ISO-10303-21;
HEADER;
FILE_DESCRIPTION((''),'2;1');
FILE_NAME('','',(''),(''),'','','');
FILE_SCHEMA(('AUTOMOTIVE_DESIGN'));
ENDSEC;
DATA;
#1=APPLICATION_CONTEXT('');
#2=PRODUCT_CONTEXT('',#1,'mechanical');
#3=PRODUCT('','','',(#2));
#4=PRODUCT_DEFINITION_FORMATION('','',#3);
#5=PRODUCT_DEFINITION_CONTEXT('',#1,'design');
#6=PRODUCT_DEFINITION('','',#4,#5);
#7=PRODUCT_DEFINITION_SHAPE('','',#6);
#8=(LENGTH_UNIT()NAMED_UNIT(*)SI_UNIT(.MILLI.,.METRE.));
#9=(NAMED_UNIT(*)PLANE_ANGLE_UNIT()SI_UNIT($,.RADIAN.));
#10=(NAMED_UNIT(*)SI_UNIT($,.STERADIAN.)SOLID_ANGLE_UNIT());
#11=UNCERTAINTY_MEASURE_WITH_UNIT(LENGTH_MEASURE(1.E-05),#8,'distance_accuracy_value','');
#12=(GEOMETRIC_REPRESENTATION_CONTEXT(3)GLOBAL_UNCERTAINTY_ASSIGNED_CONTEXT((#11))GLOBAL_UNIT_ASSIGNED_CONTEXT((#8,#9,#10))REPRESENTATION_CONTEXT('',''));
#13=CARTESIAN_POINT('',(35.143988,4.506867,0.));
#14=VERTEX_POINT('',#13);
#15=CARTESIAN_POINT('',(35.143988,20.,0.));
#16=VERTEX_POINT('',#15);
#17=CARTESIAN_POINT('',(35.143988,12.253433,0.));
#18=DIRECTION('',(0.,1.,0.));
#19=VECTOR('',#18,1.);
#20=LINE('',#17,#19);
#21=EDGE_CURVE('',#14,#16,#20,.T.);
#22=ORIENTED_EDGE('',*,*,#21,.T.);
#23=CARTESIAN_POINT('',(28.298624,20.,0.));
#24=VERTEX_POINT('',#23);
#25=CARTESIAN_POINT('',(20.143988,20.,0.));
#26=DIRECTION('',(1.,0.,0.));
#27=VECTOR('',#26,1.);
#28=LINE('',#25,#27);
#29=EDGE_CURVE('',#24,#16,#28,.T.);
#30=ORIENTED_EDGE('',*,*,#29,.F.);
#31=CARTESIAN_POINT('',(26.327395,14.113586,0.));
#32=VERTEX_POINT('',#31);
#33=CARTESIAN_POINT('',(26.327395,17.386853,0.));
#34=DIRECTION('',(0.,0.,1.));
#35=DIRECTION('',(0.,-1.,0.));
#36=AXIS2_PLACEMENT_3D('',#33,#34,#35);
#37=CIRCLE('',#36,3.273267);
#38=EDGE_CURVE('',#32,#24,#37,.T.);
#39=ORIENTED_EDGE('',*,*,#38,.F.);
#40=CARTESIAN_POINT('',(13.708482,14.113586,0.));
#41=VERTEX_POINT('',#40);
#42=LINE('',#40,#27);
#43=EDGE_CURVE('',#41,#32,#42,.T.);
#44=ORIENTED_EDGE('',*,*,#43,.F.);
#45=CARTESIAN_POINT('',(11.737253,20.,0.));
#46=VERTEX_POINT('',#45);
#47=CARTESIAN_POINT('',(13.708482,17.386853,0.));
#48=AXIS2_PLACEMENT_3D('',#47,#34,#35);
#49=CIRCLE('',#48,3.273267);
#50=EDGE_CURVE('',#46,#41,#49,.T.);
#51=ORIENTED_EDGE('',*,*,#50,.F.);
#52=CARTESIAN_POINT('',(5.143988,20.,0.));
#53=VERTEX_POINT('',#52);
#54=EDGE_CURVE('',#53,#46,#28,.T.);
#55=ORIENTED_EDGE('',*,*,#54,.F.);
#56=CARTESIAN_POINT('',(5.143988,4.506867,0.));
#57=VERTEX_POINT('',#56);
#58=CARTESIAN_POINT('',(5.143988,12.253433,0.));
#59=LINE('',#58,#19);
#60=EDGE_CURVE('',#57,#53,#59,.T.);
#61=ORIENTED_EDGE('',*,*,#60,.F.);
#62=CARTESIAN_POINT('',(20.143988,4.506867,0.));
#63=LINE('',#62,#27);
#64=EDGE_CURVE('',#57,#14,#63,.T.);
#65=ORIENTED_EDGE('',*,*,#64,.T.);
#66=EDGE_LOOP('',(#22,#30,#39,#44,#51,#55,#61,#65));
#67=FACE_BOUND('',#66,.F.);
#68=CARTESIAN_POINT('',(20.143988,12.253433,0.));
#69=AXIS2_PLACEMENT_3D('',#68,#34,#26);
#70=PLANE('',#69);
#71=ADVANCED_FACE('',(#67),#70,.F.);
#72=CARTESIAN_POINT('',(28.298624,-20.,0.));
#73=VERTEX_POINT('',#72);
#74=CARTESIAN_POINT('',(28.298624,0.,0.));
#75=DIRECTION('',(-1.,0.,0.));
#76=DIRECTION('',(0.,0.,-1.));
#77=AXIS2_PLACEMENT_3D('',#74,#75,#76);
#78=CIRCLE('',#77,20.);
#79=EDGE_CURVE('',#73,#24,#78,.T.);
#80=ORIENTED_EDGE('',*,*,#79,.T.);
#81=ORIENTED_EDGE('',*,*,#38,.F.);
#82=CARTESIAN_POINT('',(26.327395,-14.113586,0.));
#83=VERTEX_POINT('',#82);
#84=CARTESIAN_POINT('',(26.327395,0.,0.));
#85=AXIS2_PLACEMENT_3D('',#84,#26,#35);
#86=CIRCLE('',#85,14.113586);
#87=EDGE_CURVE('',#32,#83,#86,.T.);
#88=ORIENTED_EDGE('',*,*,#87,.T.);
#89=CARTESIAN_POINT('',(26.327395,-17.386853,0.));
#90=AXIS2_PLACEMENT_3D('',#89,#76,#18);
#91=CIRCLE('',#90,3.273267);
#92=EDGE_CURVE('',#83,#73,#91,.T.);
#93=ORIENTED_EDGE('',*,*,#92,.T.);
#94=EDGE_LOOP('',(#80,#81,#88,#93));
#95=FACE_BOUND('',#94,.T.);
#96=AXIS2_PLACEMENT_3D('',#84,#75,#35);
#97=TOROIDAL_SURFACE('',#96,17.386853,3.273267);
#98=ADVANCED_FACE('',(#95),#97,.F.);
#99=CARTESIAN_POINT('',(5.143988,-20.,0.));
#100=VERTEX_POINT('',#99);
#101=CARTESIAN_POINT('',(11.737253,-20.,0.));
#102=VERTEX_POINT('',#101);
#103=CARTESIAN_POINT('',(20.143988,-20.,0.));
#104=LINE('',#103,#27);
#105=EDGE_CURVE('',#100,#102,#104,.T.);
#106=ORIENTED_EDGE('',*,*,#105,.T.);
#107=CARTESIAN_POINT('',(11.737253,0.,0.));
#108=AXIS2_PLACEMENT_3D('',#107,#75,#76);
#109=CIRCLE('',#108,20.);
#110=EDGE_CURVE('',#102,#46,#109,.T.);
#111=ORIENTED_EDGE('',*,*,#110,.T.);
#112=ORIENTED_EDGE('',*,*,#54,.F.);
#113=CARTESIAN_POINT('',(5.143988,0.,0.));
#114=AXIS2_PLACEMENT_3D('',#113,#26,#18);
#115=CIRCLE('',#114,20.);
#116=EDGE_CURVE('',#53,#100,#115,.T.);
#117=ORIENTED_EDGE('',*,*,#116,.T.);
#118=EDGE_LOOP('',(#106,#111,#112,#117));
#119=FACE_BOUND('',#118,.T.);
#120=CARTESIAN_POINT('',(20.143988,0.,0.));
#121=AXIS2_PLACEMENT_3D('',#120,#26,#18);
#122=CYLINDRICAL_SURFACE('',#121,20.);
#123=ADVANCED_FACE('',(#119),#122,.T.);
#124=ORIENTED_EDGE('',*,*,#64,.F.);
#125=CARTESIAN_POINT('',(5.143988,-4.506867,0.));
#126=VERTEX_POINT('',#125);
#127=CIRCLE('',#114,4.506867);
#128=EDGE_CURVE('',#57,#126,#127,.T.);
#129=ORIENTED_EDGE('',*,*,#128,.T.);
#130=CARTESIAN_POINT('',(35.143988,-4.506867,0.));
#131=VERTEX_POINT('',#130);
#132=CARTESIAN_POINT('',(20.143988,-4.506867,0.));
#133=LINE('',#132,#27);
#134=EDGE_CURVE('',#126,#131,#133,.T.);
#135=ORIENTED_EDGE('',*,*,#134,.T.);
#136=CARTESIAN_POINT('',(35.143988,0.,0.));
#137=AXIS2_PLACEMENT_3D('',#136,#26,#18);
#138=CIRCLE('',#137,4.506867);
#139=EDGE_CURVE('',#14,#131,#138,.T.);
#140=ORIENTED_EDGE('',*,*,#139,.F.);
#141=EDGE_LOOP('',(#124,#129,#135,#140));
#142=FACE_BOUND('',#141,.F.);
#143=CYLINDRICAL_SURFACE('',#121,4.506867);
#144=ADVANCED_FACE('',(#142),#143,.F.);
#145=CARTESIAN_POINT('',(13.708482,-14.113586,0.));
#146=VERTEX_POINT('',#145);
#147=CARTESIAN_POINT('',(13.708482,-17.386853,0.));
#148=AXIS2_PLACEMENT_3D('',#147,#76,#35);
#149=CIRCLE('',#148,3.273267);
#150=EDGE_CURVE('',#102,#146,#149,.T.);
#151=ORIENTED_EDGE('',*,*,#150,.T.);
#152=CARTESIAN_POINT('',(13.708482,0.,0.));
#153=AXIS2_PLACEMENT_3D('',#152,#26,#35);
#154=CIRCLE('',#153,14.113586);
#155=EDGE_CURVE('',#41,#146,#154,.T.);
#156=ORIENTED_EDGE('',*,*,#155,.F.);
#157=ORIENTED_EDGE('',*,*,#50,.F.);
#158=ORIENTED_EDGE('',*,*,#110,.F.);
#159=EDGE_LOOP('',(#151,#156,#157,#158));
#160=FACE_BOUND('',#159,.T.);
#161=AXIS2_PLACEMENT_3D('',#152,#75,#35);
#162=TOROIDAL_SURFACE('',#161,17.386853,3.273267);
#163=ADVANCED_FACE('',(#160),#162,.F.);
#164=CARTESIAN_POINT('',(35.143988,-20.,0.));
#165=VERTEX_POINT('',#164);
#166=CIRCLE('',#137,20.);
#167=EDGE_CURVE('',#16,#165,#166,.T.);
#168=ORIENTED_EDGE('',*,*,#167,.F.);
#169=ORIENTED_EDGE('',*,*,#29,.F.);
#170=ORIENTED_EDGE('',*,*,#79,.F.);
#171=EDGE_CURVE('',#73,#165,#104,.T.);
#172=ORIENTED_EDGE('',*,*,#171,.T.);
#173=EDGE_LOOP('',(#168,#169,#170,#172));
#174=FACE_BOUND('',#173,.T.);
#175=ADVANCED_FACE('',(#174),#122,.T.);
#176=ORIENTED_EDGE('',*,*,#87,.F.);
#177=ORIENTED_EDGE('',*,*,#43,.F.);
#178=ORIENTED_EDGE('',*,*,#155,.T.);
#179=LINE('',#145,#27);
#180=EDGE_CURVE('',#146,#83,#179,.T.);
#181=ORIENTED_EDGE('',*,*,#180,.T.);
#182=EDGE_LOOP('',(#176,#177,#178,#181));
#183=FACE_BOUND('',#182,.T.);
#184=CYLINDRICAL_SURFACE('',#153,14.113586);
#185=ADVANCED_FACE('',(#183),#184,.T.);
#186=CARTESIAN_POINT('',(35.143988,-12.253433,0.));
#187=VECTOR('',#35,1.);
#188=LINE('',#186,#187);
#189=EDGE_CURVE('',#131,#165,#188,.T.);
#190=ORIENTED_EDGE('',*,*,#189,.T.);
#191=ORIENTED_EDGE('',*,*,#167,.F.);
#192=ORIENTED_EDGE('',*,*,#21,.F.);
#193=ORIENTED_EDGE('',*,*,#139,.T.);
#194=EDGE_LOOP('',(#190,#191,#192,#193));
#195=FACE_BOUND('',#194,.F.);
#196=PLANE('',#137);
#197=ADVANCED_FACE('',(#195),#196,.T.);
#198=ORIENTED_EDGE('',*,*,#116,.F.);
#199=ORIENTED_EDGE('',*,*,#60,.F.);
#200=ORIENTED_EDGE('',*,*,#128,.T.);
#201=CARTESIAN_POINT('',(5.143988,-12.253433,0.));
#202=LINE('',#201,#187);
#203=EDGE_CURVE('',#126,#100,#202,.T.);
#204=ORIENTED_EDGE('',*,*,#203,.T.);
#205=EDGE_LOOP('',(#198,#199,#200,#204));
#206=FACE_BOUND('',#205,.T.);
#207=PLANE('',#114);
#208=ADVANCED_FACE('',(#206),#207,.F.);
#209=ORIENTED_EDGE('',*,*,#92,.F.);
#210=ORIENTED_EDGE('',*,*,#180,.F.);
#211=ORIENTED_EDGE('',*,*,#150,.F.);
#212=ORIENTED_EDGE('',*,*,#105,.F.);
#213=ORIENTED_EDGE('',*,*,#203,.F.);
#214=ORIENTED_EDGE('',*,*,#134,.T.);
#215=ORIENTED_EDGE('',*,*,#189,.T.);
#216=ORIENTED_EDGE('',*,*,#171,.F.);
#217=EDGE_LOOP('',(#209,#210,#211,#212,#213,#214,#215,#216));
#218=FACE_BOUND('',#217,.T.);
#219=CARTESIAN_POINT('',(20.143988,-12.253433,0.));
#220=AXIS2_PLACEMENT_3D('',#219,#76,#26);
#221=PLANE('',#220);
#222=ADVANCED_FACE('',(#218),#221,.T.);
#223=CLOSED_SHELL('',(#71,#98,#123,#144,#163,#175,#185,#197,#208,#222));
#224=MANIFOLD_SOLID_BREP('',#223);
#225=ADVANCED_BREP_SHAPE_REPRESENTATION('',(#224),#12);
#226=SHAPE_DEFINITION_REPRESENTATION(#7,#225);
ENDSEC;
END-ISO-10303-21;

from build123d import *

# Parameters (mm, degrees)
SKETCH_W         = 30
SKETCH_H         = 15.493133
REVOLUTION_ANGLE = 180


with BuildPart() as part:
    # Sketch → Revolution (revolve)
    with BuildSketch(Plane.XY):
        with Locations((20.143988, 12.253433)):
            Rectangle(SKETCH_W, SKETCH_H)
    revolve(axis=Axis((0, 0, 0), (1, 0, 0)), revolution_arc=REVOLUTION_ANGLE)

    # Sketch001 (on Face5 of Revolution) → Groove (revolve, cut)
    with BuildSketch(Plane(origin=(0, 0, 0), x_dir=(1, 0, 0), z_dir=(0, 0, -1))):
        with BuildLine():
            ThreePointArc((13.708482, 20.66012), (10.435215, 17.386853), (13.708482, 14.113586))
            Line((13.708482, 14.113586), (26.327395, 14.113586))
            ThreePointArc((26.327395, 14.113586), (29.600662, 17.386853), (26.327395, 20.66012))
            Line((13.708482, 20.66012), (26.327395, 20.66012))
        make_face()
    revolve(axis=Axis((0, 0, 0), (1, 0, 0)), mode=Mode.SUBTRACT)


solid = part.part
